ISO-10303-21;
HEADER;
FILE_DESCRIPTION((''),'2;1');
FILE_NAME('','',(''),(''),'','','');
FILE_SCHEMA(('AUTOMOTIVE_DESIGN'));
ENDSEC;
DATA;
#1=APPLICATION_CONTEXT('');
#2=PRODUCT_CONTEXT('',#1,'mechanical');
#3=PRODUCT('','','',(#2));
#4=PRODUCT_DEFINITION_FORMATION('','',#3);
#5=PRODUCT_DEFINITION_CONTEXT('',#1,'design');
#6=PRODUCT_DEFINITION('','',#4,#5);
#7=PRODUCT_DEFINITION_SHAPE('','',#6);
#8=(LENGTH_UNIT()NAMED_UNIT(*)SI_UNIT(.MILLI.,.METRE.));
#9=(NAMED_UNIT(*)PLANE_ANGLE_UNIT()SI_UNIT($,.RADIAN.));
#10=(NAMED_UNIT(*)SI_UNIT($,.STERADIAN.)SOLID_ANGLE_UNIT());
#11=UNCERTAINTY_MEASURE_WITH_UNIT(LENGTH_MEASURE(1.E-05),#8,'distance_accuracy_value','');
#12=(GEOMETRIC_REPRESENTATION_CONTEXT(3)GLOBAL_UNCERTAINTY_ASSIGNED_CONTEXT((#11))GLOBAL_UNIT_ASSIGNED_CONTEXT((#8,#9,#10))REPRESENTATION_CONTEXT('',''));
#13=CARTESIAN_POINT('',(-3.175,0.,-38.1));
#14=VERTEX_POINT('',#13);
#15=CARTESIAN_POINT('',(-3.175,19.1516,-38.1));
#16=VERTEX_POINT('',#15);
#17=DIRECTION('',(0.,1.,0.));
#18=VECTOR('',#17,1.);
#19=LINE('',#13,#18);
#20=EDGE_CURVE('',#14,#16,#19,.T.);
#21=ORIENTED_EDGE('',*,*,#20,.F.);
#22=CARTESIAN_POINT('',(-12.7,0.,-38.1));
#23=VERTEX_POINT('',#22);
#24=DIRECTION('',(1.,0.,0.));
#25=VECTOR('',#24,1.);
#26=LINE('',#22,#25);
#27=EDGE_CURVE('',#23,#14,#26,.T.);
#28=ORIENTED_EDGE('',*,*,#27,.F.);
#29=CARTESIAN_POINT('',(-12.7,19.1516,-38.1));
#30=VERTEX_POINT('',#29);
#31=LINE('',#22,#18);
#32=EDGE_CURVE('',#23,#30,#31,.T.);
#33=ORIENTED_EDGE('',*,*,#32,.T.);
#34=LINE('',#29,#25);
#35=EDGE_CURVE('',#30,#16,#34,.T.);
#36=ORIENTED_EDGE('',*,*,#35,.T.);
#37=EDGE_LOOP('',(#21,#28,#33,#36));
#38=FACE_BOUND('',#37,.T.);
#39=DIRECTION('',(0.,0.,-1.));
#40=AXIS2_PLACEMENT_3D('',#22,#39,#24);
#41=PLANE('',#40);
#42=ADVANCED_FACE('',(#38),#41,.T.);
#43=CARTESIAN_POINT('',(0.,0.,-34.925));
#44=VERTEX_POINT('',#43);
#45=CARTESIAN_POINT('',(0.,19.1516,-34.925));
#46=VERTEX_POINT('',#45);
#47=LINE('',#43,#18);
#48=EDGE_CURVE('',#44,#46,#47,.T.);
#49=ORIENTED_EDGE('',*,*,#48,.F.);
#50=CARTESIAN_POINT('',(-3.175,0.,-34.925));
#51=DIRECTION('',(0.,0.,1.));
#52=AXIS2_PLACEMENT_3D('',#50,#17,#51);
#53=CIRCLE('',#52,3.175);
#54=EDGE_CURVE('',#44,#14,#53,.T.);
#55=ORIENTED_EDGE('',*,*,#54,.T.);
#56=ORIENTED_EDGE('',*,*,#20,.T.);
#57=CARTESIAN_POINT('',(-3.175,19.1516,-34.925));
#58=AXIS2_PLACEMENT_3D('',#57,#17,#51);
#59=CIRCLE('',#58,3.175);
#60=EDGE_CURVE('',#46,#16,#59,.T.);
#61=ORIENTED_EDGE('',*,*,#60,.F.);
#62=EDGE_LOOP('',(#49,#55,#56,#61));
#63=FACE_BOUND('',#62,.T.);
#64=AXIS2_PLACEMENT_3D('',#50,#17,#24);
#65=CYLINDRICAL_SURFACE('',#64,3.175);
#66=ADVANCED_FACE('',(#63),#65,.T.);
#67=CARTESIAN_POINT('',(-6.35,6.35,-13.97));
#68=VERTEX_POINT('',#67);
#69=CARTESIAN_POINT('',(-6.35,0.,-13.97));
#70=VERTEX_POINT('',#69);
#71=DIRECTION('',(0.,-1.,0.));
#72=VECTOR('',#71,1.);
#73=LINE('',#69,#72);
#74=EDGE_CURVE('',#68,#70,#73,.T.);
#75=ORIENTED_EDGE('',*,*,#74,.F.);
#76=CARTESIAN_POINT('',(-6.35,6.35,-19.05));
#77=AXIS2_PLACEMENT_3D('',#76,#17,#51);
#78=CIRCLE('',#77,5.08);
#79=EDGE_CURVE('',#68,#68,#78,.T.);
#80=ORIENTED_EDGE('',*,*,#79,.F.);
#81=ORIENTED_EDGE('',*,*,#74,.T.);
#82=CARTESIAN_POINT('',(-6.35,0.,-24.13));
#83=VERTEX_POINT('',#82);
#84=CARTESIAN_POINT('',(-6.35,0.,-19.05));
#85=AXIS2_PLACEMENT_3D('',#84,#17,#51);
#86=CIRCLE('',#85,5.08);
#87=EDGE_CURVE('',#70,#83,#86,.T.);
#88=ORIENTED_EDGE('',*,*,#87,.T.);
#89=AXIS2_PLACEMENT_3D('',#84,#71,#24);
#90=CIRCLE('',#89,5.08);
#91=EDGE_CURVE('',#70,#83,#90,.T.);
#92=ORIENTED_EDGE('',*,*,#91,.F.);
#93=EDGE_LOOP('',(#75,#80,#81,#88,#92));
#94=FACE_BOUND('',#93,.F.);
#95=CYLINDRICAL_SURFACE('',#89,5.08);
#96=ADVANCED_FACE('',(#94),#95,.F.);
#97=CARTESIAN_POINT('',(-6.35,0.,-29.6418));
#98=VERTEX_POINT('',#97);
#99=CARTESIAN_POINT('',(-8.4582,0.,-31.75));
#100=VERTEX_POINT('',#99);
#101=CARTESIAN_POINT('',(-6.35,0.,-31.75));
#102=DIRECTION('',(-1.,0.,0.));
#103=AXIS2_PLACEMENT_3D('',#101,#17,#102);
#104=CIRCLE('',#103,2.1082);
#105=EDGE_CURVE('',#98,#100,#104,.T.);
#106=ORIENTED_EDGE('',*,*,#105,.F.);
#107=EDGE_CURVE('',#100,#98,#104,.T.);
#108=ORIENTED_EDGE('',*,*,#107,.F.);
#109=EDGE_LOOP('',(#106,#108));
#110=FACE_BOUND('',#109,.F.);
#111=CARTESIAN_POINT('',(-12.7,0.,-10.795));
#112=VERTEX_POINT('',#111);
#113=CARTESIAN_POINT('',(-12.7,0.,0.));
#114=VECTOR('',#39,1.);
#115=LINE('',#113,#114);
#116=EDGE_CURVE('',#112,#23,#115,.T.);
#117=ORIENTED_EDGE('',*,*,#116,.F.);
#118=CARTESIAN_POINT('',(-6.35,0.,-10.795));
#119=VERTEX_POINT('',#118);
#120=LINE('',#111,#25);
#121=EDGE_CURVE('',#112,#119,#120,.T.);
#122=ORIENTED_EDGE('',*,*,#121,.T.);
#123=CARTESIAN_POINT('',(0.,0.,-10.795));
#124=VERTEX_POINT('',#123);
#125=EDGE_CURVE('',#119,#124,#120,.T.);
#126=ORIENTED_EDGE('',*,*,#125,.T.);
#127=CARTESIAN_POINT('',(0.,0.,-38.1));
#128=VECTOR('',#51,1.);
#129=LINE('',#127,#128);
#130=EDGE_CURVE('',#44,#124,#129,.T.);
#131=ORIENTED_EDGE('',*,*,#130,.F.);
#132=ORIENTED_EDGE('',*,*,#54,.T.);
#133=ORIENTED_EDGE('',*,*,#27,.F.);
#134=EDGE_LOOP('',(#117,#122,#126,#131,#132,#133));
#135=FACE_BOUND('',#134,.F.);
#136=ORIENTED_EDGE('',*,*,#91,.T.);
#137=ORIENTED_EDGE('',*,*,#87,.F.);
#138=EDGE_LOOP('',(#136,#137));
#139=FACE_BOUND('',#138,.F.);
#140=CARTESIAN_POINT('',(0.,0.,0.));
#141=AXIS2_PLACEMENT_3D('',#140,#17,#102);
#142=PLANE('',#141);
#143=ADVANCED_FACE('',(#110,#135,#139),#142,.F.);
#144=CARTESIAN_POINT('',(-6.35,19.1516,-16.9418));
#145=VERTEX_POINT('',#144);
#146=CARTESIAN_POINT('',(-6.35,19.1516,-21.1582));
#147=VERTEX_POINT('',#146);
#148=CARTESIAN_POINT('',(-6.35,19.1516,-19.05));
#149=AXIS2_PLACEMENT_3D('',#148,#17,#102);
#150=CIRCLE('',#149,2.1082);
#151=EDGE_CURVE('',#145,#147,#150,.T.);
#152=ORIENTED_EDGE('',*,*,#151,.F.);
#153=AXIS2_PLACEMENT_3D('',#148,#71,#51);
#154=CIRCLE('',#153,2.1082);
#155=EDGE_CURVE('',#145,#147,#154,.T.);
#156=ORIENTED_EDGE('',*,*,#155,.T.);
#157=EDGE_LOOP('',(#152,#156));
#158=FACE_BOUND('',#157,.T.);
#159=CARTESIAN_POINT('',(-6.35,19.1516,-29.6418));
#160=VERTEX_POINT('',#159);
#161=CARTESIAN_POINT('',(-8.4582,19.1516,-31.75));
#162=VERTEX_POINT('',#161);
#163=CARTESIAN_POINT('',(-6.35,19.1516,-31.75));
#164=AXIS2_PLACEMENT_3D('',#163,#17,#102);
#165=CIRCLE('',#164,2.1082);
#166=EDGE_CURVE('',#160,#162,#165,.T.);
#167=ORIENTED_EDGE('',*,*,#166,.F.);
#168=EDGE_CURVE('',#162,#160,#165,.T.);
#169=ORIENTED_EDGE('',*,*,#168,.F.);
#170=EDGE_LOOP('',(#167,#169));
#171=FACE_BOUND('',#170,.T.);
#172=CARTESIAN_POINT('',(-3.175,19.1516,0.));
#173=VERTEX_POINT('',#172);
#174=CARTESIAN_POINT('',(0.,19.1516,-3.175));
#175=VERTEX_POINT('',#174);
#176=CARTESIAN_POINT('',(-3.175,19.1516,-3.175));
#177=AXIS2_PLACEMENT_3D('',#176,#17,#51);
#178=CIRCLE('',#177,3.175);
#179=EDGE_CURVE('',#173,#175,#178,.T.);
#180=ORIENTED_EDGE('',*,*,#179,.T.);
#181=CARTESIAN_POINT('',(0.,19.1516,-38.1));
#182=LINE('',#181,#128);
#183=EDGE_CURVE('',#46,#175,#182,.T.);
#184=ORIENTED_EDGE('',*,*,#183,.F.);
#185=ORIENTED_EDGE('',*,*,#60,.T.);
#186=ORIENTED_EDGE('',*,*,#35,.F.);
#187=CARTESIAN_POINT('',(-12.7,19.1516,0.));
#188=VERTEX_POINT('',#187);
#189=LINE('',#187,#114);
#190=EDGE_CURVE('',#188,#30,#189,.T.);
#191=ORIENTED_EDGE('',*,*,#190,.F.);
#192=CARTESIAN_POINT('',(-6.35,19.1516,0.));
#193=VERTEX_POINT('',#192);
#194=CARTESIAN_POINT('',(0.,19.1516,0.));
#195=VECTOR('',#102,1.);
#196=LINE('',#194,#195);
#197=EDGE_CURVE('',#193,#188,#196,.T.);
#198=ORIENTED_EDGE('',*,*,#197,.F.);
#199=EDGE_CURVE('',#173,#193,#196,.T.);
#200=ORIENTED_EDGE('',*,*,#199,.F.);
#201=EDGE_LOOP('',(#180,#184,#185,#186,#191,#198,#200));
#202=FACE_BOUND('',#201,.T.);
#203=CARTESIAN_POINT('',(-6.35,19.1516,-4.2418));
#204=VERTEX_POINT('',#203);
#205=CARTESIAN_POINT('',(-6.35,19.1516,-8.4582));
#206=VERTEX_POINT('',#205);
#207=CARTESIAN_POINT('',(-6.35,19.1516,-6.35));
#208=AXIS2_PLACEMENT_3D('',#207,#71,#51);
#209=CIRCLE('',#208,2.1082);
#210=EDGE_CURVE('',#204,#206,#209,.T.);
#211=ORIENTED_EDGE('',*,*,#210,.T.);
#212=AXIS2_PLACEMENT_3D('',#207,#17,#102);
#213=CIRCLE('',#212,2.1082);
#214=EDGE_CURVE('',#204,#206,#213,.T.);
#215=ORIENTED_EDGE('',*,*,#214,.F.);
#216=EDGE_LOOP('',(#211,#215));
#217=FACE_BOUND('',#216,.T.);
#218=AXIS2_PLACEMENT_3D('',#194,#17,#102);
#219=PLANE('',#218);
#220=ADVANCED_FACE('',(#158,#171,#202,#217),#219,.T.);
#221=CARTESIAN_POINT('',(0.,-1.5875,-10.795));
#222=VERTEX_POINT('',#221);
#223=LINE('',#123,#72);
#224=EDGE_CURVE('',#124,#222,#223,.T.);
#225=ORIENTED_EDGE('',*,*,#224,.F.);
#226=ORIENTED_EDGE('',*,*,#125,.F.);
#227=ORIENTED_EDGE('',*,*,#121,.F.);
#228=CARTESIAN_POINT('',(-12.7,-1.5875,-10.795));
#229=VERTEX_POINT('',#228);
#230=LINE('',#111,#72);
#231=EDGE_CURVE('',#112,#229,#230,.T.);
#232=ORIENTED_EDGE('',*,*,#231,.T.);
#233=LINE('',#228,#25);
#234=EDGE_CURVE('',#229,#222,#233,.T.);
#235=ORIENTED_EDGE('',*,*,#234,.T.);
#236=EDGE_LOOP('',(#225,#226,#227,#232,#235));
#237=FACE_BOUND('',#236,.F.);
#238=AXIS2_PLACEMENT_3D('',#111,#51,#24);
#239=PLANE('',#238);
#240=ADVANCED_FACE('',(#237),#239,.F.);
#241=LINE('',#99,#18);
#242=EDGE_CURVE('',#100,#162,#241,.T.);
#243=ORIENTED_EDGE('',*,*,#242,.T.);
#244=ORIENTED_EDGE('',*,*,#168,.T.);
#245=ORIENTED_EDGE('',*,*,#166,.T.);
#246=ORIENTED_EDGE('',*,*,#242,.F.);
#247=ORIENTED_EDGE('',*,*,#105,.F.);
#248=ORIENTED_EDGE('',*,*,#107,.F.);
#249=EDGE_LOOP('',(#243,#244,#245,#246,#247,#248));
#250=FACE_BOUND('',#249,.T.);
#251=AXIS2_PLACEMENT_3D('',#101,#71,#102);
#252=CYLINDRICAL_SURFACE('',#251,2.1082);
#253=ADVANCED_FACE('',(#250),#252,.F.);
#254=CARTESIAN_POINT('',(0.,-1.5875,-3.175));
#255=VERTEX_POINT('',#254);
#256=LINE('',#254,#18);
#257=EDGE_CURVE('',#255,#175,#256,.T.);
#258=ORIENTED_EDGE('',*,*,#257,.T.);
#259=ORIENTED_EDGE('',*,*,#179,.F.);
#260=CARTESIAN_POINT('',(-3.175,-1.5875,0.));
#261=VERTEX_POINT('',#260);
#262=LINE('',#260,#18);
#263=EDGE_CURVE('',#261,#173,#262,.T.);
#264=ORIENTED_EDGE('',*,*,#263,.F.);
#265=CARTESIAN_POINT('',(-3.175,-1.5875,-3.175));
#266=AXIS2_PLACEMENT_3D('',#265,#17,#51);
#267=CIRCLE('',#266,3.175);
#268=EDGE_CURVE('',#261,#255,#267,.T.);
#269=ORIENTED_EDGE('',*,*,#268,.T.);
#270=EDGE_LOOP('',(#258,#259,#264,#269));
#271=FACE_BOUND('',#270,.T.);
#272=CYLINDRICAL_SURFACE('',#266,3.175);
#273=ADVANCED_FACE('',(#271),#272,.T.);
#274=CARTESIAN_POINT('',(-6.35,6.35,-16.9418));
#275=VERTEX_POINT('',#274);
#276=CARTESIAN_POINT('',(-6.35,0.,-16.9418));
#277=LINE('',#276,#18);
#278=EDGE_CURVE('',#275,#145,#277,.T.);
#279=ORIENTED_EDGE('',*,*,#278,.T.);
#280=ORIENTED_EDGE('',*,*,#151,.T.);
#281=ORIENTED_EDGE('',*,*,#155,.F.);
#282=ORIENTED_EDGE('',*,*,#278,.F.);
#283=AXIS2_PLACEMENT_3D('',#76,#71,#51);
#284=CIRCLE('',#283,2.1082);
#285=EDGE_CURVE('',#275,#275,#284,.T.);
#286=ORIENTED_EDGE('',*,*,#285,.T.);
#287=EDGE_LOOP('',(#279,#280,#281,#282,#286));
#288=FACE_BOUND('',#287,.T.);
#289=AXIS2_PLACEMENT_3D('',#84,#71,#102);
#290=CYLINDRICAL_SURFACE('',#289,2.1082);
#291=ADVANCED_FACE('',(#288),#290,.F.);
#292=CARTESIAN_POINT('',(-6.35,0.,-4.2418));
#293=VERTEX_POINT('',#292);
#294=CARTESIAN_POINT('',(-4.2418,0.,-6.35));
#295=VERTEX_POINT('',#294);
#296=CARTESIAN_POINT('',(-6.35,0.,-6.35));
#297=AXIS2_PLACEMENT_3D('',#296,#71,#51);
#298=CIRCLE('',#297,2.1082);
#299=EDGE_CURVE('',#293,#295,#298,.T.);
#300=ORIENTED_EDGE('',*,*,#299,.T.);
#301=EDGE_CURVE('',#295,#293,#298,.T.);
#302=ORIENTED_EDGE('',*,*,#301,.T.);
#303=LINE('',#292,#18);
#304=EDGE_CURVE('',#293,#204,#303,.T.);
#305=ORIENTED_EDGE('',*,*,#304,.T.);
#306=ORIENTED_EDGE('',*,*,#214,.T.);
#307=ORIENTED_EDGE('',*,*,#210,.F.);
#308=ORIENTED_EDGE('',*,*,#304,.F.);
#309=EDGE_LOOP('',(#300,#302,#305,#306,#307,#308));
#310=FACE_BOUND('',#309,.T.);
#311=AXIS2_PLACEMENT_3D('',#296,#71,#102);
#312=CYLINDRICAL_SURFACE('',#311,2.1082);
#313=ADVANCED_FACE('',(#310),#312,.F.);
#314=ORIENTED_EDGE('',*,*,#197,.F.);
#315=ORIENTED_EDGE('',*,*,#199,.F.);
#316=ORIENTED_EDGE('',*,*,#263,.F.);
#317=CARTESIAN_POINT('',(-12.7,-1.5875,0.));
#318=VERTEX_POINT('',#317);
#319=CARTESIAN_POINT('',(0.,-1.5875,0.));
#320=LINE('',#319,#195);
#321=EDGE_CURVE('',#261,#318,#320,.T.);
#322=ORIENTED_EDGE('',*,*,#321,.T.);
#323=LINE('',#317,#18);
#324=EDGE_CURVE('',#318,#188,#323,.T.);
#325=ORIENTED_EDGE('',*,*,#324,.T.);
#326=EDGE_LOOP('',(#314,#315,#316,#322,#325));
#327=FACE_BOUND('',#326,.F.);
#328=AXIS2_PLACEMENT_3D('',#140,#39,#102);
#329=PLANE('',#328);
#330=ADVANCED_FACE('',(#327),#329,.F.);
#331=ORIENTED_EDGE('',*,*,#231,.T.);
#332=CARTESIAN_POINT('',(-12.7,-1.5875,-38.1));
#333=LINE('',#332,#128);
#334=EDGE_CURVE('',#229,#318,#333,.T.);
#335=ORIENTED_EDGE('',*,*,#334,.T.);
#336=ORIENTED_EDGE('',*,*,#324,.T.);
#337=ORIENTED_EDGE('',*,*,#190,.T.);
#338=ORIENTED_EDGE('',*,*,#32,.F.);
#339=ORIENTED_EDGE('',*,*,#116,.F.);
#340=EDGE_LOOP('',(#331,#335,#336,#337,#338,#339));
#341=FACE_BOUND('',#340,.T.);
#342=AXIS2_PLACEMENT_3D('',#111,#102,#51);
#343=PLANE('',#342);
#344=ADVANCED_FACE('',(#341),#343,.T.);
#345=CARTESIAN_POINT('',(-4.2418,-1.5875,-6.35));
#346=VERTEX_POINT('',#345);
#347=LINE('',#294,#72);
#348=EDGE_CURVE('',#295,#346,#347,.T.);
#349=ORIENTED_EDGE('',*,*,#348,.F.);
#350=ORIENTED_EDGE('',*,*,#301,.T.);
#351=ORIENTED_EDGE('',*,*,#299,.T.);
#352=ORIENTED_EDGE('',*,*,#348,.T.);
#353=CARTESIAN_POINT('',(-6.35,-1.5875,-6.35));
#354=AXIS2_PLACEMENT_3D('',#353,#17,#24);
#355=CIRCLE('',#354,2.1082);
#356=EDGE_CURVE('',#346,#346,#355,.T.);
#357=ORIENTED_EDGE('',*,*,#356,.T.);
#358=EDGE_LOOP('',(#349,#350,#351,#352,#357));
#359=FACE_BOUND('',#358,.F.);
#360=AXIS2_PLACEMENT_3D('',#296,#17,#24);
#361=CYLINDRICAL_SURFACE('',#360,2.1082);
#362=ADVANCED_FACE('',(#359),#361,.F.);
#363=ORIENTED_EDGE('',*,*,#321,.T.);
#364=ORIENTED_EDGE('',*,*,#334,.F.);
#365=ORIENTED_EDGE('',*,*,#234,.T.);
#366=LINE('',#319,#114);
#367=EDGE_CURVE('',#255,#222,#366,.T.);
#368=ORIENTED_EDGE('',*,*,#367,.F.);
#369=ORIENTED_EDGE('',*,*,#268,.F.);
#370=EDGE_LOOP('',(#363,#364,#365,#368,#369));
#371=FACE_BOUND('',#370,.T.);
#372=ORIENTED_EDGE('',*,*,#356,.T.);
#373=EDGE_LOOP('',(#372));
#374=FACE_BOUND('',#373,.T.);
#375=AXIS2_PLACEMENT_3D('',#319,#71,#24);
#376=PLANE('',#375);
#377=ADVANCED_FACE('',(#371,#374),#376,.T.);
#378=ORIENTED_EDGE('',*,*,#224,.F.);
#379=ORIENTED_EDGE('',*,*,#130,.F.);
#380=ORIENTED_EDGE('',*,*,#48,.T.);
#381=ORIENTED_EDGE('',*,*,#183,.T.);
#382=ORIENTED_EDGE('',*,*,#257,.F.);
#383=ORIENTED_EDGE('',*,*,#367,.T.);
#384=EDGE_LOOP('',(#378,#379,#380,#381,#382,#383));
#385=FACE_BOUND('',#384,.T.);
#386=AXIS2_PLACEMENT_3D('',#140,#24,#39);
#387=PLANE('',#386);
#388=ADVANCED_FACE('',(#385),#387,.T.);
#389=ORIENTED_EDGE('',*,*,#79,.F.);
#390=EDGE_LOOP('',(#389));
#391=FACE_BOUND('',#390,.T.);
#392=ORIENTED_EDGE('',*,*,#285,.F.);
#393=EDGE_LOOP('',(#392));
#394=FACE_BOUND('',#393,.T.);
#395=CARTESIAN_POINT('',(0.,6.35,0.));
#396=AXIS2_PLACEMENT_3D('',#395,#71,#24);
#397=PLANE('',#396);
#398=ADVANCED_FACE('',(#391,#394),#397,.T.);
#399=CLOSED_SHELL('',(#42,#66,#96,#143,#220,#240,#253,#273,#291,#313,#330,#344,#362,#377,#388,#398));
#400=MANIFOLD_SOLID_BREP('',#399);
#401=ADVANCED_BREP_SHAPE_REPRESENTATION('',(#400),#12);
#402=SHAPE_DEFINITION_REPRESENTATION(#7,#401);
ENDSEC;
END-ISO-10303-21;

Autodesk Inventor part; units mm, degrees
ref_plane "YZ Plane" through (0, 0, 0) normal (1, 0, 0) x (0, 1, 0)
ref_plane "XZ Plane" through (0, 0, 0) normal (0, 1, 0) x (-1, 0, 0)
ref_plane "XY Plane" through (0, 0, 0) normal (0, 0, 1) x (1, 0, 0)
sketch "Sketch1" plane through (0, 0, 0) normal (0, 1, 0) x (-1, 0, 0)
  line L0 (0, 0) -> (12.7, 0)
  line L1 (12.7, 0) -> (12.7, -38.1)
  line L2 (12.7, -38.1) -> (0, -38.1)
  line L3 (0, -38.1) -> (0, 0)
  line L4 (6.35, 0) -> (6.35, -6.35)
  circle A0 centre (6.35, -6.35) radius 2.1082
  line L5 (6.35, -6.35) -> (6.35, -19.05)
  line L6 (6.35, -19.05) -> (6.35, -31.75)
  circle A1 centre (6.35, -19.05) radius 2.1082
  circle A2 centre (6.35, -31.75) radius 2.1082
  dimension "d0" = 12.7
  dimension "d1" = 38.1
  dimension "d2" = 6.35
  dimension "d3" = 4.2164
  dimension "d4" = 12.7
  dimension "d5" = 12.7
  dimension "d6" = 4.2164
  dimension "d7" = 4.2164
extrude "Extrusion1" add sketch "Sketch1" along normal blind 19.1516
sketch "Sketch2" plane through (0, 0, 0) normal (0, -1, 0) x (1, 0, 0)
  circle A0 centre (-6.35, -19.05) radius 2.1082 projected
  circle A1 centre (-6.35, -19.05) radius 5.08
  point P0 (0, 0)
  dimension "d11" = 10.16
extrude "Extrusion2" cut sketch "Sketch2" against normal blind 6.35
sketch "Sketch3" plane through (0, 0, 0) normal (0, -1, 0) x (1, 0, 0)
  line L0 (-12.7, -38.1) -> (-12.7, 0) projected
  line L1 (-12.7, 0) -> (-12.7, -10.795)
  line L2 (-12.7, -10.795) -> (0, -10.795)
  line L3 (0, 0) -> (0, -38.1) projected
  line L4 (0, 0) -> (-12.7, 0)
  point P0 (0, -3.175)
  dimension "d15" = 10.795
extrude "Extrusion3" add sketch "Sketch3" along normal blind 1.5875
fillet "Fillet3" radius 3.175 1 edges at (0, 8.782, 0)
sketch "Sketch4" plane through (-6.35, 0, -6.35) normal (0, 1, 0) x (1, 0, 0)
  circle A0 centre (0, 0) radius 2.1082
  point P0 (6.35, -6.35)
extrude "Extrusion4" cut sketch "Sketch4" against normal blind 3.175
fillet "Fillet4" radius 3.175 1 edges at (0, 9.5758, -38.1)
properties part number "inner wing mount"
